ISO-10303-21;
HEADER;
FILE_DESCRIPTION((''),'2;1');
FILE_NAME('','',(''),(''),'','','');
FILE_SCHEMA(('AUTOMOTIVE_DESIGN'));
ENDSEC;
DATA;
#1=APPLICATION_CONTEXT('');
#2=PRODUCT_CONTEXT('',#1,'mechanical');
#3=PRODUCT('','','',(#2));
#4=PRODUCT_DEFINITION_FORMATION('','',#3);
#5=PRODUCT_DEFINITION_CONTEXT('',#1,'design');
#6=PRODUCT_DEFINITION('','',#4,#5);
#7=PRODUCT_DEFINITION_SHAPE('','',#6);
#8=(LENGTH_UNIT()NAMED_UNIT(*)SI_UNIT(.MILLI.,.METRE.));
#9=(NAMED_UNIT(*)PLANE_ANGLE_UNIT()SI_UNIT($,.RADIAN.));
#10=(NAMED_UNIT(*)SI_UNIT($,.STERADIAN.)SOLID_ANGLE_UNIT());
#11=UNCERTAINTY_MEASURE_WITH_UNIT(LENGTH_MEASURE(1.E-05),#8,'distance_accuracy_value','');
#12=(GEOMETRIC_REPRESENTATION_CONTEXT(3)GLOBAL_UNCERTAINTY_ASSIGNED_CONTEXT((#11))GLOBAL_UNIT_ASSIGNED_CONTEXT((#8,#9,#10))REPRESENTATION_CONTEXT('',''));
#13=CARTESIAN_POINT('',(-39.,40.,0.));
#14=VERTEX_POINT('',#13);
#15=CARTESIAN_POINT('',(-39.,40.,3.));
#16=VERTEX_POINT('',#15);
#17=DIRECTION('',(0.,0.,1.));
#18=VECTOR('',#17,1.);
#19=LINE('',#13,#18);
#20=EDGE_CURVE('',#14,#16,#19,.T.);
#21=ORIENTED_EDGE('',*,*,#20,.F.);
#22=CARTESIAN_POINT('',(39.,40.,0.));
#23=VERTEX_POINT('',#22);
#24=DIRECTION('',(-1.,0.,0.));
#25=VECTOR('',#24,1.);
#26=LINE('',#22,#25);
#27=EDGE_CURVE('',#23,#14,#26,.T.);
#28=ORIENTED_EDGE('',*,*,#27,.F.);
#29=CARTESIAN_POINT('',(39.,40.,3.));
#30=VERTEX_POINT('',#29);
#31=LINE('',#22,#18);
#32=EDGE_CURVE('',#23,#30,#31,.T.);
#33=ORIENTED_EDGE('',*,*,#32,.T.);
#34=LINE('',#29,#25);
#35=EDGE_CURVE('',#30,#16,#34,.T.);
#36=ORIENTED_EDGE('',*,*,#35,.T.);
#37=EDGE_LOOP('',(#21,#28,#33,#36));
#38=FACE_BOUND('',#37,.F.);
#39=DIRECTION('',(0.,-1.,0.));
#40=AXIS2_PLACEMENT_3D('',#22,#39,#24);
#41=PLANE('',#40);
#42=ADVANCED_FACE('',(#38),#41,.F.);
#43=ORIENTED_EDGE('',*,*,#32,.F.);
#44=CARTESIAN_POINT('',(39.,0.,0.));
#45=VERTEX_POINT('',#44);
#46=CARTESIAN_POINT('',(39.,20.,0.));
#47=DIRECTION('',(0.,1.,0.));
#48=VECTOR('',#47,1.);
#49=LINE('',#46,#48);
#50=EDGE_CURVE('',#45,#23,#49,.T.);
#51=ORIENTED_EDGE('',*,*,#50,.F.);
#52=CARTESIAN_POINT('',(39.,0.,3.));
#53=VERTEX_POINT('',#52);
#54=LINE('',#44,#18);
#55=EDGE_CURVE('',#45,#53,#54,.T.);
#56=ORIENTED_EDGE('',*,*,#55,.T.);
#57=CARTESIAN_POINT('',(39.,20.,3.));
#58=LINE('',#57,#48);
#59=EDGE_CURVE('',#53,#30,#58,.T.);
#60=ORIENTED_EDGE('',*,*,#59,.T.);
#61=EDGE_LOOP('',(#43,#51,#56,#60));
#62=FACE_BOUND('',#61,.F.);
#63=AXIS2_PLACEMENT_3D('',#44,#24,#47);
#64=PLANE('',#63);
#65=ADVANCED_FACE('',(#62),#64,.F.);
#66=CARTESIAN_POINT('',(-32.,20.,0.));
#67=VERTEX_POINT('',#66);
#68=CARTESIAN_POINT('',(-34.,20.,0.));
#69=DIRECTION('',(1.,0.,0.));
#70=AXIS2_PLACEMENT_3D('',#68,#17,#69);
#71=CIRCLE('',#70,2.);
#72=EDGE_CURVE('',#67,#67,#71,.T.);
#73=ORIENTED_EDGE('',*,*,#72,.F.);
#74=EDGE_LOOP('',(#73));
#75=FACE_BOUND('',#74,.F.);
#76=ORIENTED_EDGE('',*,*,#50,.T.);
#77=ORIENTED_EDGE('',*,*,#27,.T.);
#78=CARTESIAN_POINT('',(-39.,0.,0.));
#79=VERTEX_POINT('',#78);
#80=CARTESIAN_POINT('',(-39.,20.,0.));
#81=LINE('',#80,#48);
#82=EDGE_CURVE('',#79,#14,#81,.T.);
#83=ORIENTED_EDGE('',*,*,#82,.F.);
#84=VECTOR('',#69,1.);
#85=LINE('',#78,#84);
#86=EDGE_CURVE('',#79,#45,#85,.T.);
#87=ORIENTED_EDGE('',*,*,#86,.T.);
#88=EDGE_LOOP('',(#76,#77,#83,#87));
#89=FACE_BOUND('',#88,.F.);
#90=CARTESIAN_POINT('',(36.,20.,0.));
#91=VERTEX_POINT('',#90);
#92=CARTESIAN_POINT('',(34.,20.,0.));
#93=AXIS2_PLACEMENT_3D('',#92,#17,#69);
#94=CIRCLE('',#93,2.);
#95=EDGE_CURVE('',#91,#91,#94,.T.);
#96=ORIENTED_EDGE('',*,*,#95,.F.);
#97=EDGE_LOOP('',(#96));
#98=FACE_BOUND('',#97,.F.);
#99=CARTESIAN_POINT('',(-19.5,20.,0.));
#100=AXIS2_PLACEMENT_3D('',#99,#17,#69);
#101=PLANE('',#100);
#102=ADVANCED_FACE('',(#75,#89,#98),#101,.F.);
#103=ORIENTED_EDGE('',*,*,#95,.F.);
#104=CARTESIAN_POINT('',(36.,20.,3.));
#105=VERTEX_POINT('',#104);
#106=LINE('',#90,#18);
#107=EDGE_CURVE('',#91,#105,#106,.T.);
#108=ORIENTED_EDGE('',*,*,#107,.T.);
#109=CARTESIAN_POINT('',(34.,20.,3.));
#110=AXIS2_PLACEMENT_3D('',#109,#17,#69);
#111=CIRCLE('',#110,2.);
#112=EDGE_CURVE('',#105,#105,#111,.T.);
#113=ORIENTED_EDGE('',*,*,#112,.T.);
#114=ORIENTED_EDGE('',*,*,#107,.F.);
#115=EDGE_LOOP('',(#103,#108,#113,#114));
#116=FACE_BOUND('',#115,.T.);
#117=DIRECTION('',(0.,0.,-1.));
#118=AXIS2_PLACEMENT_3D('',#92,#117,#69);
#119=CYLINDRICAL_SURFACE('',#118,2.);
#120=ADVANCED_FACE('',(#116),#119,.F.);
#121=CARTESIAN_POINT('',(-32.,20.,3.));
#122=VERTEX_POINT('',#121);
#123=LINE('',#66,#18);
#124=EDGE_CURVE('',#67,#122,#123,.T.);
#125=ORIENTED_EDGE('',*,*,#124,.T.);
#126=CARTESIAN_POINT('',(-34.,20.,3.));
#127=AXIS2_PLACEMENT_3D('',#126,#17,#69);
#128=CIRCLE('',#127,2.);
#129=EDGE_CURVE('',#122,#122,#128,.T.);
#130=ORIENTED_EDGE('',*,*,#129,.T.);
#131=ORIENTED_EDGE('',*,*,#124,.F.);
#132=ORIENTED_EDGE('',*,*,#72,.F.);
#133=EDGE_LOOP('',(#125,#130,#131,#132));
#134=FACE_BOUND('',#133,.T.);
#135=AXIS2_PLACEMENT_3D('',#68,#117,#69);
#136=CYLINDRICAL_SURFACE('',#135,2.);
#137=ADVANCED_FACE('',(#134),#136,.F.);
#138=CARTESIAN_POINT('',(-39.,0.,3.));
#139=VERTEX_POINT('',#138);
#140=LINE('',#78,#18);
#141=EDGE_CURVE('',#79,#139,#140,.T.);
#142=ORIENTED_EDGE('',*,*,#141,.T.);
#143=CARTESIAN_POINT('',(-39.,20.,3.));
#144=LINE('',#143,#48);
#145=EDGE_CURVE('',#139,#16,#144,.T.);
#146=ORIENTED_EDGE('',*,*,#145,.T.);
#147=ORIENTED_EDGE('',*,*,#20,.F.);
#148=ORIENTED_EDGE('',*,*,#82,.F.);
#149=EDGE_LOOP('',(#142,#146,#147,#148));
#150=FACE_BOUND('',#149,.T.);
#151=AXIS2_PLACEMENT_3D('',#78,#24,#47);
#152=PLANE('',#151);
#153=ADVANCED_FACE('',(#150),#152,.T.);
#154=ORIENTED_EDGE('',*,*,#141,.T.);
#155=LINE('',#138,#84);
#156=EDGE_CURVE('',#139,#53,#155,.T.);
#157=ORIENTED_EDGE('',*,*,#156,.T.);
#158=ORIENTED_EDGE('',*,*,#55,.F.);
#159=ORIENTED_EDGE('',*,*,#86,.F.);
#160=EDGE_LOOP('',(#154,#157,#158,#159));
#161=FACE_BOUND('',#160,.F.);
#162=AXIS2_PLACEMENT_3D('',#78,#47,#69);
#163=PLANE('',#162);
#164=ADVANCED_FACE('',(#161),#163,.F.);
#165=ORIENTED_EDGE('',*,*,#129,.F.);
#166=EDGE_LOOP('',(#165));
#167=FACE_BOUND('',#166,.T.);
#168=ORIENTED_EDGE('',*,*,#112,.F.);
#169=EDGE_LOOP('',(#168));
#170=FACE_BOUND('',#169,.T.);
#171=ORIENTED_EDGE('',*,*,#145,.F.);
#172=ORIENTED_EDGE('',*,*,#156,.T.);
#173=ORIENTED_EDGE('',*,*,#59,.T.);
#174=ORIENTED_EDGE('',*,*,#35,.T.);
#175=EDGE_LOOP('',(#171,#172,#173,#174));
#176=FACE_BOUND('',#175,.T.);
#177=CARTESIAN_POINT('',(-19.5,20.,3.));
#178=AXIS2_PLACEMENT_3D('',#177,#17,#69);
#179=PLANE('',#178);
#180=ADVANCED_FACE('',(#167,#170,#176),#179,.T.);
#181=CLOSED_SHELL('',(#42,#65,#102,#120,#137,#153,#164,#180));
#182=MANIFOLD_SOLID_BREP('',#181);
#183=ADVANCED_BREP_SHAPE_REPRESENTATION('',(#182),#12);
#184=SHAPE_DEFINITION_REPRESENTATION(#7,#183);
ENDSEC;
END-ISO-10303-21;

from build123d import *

# Parameters (mm, degrees)
F0_W     = 39
F0_H     = 40
F0_R     = 2
F1_DEPTH = 3


with BuildPart() as f1:
    # F0 (on Top) → F1 (new body)
    with BuildSketch(Plane.XY):
        with Locations((-19.5, 20)):
            Rectangle(F0_W, F0_H)
        with Locations((-34, 20)):
            Circle(F0_R, mode=Mode.SUBTRACT)
        with Locations((19.5, 20)):
            Rectangle(F0_W, F0_H)
        with Locations((34, 20)):
            Circle(F0_R, mode=Mode.SUBTRACT)
    extrude(amount=F1_DEPTH)


solid = f1.part
